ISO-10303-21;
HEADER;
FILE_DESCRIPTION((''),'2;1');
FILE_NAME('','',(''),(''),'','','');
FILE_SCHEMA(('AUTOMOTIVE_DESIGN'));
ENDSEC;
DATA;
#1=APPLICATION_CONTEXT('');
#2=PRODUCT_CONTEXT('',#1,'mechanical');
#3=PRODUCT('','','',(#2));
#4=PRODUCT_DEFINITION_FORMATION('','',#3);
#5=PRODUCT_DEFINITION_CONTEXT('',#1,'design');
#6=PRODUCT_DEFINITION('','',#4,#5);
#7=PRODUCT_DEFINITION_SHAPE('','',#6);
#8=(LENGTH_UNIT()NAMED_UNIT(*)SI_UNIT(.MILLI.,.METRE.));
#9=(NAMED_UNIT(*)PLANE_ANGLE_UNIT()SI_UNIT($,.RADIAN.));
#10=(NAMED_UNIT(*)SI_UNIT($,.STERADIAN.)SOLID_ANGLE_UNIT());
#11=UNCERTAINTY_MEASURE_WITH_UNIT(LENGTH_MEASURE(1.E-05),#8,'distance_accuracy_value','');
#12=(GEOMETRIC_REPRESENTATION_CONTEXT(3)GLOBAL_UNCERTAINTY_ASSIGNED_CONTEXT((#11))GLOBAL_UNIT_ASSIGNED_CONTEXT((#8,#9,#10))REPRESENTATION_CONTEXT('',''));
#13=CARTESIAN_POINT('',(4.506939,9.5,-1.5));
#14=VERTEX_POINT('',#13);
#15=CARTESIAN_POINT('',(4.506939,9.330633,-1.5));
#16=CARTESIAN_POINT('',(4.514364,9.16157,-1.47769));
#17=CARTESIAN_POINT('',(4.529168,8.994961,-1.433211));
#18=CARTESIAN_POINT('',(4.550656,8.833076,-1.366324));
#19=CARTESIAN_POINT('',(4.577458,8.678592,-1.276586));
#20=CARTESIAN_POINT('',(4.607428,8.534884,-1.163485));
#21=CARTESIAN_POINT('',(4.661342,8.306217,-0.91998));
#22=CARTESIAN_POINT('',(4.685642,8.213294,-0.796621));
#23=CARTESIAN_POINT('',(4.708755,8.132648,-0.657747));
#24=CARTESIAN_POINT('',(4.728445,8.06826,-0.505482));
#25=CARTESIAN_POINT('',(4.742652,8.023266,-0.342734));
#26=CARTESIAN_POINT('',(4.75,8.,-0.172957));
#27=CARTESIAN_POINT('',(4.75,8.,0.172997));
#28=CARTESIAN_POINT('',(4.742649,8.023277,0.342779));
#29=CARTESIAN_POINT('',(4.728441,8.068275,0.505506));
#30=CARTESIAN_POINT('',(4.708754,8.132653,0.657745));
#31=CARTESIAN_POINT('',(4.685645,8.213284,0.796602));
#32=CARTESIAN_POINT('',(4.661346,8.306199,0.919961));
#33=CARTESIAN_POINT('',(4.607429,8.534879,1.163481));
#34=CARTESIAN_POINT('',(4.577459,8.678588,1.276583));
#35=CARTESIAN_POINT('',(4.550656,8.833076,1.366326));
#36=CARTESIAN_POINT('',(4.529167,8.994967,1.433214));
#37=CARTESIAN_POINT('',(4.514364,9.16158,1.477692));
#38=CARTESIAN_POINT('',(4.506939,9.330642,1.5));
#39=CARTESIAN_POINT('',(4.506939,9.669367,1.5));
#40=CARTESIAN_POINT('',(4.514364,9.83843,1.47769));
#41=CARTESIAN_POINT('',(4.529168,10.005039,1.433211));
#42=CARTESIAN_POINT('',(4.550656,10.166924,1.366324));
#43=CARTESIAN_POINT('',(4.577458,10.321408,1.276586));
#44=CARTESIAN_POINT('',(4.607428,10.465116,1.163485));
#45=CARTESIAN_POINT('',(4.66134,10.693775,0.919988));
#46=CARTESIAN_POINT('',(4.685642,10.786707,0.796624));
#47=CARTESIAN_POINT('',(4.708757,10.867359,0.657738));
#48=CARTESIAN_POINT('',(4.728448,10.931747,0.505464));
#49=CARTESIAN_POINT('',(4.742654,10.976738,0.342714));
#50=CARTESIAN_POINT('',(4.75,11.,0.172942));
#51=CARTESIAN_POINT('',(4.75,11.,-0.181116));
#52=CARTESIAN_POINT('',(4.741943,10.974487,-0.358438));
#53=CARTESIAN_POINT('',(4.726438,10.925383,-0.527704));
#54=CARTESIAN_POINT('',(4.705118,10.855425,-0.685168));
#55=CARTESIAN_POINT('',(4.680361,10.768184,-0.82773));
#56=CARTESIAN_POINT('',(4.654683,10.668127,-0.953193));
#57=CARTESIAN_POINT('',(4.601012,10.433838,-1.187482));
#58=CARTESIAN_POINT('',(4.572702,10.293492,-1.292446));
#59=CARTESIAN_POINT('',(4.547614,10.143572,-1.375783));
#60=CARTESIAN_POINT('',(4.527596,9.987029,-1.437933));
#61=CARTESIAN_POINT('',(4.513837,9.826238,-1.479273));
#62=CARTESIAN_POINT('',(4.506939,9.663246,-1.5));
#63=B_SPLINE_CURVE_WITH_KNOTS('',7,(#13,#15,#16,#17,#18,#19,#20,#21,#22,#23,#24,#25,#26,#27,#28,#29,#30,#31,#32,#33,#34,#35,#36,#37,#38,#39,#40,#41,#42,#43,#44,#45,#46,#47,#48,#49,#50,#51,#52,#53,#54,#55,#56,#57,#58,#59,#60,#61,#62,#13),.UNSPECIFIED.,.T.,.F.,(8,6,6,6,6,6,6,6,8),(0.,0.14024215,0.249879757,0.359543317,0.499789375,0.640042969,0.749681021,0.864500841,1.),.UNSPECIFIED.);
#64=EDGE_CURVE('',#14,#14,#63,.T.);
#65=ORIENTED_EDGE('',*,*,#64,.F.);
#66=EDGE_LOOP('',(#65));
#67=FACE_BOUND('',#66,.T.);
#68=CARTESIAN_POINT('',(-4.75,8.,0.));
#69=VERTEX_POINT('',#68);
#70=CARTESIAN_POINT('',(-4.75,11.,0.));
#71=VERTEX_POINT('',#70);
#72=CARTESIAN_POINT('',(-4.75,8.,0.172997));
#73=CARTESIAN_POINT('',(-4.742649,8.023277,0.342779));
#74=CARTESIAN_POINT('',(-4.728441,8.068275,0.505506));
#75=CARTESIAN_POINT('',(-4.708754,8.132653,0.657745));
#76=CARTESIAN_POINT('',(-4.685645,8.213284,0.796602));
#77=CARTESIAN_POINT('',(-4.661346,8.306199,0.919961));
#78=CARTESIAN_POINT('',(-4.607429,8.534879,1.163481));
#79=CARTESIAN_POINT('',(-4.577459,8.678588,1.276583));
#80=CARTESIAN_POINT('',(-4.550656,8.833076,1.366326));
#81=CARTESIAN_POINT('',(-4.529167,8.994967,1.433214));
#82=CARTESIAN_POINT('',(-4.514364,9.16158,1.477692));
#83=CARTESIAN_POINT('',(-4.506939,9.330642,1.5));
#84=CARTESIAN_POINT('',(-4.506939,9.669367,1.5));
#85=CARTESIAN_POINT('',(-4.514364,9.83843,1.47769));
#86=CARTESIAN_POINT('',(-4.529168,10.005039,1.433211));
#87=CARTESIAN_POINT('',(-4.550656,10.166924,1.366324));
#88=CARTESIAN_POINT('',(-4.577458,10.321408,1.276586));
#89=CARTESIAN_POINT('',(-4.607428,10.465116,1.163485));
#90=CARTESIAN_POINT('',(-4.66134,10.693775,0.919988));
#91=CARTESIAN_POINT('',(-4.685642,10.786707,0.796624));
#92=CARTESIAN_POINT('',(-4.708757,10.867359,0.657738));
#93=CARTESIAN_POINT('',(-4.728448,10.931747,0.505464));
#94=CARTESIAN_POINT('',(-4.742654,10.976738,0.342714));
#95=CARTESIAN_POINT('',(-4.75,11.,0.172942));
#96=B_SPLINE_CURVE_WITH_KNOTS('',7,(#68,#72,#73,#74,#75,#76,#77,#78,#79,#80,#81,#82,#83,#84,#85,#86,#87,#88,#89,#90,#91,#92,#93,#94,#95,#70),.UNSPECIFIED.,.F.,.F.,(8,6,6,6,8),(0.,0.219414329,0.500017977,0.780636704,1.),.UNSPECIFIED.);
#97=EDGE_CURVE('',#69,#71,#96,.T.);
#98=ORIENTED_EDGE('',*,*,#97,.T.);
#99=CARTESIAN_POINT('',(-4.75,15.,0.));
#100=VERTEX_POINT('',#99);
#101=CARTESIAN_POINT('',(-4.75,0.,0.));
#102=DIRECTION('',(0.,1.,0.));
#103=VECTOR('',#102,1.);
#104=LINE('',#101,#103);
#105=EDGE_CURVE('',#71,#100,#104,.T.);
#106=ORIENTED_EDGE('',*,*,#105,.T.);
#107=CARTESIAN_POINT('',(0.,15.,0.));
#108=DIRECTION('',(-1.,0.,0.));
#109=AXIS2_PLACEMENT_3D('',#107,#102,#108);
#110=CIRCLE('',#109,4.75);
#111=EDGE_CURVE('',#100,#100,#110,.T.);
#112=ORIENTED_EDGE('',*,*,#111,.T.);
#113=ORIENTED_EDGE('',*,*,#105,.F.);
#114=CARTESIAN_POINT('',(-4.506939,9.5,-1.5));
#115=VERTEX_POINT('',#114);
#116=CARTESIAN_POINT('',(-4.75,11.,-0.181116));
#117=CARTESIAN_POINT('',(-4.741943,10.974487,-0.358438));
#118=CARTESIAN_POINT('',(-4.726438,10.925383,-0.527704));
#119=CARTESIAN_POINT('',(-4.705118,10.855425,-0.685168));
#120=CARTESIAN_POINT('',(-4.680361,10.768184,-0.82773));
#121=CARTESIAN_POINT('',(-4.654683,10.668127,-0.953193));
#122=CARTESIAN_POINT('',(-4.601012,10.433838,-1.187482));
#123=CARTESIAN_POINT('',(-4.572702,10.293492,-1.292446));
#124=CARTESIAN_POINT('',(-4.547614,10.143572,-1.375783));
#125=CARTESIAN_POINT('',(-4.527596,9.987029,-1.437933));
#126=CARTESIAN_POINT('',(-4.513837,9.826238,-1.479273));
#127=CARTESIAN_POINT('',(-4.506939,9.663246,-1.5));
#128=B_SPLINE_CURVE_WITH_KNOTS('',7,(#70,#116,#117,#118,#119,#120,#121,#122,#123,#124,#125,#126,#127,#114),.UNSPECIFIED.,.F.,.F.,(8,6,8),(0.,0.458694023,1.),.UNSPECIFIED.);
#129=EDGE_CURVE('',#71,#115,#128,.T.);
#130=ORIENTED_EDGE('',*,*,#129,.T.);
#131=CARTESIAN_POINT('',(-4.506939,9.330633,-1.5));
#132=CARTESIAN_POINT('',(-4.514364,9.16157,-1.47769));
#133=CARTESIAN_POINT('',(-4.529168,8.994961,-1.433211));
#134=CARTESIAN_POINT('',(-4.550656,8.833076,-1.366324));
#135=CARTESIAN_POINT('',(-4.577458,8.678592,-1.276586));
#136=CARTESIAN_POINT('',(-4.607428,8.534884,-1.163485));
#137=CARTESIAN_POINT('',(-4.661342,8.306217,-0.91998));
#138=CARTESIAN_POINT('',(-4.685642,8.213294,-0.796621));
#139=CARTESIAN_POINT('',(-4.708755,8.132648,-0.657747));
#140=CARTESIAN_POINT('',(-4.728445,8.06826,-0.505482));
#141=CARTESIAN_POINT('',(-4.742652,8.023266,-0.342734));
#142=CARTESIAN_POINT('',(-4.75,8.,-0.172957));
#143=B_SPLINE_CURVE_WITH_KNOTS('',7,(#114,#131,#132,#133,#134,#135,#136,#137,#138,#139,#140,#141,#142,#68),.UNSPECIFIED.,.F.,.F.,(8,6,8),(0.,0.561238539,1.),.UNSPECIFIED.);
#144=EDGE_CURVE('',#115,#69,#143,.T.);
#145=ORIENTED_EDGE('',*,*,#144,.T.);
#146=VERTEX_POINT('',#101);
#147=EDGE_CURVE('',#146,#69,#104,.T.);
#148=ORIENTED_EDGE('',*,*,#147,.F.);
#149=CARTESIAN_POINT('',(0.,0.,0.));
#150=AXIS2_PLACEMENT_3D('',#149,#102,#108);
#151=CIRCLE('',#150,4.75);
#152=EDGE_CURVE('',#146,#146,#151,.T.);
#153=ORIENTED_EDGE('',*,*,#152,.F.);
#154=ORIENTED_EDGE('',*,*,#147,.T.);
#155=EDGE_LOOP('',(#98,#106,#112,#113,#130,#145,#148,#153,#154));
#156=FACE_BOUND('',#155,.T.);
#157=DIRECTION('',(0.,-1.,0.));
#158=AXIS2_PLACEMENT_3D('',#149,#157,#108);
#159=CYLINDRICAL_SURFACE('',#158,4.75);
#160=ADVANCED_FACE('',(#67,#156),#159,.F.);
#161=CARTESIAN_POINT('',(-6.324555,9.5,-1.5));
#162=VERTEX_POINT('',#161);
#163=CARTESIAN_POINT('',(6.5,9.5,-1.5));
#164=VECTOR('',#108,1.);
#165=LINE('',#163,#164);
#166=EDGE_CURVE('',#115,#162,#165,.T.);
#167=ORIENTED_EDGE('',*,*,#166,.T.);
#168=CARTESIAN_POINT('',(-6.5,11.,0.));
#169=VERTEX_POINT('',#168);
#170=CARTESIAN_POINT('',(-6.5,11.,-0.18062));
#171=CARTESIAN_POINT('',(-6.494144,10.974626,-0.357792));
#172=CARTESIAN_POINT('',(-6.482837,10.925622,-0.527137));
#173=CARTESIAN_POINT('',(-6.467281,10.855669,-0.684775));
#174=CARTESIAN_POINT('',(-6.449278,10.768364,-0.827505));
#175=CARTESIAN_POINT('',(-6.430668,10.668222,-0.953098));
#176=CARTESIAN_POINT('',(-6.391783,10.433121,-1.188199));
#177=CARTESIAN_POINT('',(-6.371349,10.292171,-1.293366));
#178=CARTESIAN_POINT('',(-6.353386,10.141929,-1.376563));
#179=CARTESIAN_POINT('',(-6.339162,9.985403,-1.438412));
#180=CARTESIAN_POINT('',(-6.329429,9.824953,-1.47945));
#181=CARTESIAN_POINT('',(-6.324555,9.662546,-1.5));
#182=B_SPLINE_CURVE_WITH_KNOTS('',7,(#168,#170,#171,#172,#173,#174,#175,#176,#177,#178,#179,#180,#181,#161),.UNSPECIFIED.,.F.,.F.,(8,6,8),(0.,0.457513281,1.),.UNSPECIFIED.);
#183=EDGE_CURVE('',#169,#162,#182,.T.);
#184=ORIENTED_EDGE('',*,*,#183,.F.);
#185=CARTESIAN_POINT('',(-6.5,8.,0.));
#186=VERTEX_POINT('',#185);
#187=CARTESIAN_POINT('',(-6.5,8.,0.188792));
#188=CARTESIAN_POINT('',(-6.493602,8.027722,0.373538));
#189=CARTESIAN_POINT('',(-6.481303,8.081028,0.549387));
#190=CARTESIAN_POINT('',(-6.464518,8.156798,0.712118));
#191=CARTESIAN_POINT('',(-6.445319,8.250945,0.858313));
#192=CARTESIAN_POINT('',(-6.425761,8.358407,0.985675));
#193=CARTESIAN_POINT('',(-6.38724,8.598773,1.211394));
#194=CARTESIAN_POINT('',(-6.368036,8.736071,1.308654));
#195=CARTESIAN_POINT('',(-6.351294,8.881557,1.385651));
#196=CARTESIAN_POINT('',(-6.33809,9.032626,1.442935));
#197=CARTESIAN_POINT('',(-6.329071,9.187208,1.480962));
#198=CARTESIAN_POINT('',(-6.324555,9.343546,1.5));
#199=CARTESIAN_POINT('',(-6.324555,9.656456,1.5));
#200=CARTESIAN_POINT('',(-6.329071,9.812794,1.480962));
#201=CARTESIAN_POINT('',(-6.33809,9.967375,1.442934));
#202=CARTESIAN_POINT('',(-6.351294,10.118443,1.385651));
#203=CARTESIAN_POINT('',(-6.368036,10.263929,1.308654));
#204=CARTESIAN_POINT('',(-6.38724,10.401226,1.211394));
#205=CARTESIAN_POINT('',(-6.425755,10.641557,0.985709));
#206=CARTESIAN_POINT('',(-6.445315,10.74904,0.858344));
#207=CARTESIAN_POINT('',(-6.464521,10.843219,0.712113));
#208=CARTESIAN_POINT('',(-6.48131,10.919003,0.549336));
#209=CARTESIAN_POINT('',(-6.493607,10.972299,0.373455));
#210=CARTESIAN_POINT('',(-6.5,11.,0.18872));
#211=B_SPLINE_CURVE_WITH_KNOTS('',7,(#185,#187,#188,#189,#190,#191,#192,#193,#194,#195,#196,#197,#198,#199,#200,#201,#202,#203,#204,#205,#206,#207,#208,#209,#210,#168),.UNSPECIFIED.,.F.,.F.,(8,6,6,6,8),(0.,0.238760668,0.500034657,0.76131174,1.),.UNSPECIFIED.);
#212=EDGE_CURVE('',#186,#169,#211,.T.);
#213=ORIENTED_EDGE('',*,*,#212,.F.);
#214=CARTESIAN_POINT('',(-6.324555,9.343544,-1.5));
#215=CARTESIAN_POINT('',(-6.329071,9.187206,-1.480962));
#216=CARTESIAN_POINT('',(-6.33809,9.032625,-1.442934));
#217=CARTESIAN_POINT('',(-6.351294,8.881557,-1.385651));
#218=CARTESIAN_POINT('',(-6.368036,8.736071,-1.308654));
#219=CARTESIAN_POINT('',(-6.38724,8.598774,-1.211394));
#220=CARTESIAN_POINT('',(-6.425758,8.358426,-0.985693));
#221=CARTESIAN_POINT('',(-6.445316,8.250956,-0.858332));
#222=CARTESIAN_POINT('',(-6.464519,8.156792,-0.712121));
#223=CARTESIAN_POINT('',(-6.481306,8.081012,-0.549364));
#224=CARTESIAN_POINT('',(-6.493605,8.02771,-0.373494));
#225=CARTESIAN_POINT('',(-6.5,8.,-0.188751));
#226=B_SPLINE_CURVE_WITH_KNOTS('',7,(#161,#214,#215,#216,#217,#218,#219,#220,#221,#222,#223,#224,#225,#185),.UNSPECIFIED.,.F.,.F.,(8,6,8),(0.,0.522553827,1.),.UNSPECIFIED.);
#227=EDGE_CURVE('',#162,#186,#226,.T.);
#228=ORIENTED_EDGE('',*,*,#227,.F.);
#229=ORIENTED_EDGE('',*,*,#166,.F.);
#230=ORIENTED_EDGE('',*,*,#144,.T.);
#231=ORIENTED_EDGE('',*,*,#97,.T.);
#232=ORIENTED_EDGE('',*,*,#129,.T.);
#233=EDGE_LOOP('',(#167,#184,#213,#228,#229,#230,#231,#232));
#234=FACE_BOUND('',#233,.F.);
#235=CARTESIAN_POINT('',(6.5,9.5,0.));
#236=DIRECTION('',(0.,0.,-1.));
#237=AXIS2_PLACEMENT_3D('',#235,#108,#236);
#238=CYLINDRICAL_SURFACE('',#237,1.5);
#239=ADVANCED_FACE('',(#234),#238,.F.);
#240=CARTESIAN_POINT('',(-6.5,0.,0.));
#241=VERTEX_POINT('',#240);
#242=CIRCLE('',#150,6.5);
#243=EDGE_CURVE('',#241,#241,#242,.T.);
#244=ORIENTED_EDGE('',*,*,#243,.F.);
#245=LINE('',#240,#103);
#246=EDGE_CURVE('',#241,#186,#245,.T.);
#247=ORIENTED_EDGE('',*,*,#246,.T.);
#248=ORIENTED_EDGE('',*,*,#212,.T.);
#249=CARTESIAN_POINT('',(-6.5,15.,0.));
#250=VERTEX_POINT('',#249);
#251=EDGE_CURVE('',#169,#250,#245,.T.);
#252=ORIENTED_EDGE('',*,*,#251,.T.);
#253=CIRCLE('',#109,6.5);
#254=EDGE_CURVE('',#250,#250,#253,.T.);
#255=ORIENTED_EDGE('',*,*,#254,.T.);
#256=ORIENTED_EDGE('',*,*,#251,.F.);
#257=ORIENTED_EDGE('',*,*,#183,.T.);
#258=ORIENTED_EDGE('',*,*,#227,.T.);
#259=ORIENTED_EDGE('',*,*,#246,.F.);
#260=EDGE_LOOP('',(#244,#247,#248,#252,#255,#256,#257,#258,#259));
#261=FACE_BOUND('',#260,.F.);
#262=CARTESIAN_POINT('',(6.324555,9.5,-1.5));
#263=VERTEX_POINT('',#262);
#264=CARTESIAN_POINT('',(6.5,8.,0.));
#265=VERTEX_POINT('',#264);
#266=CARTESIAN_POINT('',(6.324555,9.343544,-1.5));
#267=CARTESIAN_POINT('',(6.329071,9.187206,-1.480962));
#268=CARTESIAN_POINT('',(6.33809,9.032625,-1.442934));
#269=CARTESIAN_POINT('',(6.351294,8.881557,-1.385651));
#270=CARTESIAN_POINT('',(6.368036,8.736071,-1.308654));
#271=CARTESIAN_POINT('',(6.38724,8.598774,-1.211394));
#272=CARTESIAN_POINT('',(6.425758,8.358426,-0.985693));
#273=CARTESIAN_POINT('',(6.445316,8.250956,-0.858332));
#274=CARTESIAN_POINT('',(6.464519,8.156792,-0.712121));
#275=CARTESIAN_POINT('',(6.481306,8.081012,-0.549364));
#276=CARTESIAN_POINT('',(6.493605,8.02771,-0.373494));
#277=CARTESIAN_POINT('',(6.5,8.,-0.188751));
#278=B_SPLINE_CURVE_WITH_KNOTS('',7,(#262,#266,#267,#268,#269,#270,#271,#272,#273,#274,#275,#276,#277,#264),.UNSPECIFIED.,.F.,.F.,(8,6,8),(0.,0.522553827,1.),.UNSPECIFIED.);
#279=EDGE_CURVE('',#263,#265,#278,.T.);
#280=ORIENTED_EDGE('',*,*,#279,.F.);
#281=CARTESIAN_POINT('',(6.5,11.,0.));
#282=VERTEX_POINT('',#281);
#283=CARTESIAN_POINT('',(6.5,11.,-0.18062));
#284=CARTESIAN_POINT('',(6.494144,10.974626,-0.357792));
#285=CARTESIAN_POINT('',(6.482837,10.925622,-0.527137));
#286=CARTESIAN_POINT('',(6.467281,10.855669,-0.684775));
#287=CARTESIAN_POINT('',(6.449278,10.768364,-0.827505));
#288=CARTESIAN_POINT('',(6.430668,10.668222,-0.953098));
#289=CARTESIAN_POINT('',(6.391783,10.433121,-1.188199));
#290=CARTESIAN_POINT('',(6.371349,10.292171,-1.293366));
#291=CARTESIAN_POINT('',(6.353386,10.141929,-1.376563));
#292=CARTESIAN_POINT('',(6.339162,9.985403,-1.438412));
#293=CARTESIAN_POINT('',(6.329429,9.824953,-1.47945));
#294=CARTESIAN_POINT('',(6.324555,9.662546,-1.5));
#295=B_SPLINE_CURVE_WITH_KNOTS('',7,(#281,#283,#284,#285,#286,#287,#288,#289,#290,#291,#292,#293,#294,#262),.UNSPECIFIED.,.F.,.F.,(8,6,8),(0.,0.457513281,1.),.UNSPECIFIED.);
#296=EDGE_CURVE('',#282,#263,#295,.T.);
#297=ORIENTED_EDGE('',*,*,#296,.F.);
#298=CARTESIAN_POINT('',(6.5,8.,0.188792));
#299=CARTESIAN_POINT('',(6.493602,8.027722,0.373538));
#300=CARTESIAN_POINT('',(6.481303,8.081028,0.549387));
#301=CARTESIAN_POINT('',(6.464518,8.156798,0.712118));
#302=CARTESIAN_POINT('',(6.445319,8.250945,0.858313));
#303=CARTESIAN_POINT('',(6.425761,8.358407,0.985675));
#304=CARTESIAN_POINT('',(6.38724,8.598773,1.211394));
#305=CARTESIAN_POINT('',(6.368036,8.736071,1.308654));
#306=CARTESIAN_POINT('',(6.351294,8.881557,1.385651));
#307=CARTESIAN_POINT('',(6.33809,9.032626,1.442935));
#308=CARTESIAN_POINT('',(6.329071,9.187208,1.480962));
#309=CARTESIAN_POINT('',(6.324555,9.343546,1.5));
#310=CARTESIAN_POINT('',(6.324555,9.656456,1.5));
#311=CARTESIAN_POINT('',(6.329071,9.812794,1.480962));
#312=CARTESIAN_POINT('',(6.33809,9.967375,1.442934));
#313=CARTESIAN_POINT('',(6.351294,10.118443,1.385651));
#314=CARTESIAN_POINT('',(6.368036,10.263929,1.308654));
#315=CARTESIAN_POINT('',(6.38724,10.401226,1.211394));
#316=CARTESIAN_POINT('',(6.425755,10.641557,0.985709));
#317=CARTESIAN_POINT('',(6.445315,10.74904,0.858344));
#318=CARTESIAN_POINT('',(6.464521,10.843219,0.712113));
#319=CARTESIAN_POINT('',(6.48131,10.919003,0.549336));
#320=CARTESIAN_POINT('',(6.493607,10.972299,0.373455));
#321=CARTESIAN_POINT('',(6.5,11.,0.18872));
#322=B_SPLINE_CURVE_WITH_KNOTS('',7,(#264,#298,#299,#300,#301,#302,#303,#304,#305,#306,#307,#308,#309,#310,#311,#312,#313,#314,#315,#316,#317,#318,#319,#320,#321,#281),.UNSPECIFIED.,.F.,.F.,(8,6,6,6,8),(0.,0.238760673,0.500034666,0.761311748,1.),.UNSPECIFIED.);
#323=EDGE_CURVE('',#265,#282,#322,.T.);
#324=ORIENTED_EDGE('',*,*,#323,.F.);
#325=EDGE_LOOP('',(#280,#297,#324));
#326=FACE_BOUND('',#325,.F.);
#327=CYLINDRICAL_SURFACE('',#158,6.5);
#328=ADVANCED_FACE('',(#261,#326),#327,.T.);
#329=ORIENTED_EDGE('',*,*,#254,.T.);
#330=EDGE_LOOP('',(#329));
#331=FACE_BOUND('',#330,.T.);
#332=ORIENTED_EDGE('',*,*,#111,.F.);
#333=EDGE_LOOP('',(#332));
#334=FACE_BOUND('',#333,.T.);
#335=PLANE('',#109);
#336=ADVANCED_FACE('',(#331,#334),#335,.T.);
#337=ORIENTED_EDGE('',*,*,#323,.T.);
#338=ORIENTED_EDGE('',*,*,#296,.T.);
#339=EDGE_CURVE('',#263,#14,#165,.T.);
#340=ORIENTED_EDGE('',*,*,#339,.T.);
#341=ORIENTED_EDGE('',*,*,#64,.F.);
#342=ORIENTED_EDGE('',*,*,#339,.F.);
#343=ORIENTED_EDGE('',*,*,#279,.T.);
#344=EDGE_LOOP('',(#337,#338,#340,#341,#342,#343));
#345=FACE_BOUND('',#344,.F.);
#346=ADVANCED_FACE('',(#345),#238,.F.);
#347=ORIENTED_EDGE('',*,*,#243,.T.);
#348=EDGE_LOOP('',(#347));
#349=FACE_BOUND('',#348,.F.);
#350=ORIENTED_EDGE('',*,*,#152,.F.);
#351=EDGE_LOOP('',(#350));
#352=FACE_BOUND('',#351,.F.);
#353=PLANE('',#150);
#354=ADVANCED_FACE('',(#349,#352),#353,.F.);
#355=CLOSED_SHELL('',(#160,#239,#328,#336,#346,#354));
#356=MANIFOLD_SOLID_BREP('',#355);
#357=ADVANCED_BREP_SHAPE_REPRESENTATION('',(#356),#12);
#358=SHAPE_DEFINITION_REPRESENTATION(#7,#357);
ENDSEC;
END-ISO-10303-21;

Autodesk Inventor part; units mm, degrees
ref_plane "XZ Plane" through (0, 0, 0) normal (0, 1, 0) x (-1, 0, 0)
ref_plane "XY Plane" through (0, 0, 0) normal (0, 0, 1) x (1, 0, 0)
sketch "Skizze1" plane through (0, 0, 0) normal (0, 1, 0) x (-1, 0, 0)
  circle A0 centre (0, 0) radius 6.5
  circle A1 centre (0, 0) radius 4.75
  dimension "d0" = 13
  dimension "d1" = 9.5
extrude "Extrusion1" add sketch "Skizze1" along normal blind 15
ref_plane "Arbeitsebene1" through (6.5, 0, 0) normal (1, 0, 0) x (0, 1, 0)
sketch "Skizze2" plane through (6.5, 0, 0) normal (1, 0, 0) x (0, 1, 0)
  line L0 (0, -6.5) -> (0, 6.5) projected
  point P0 (0, 0)
  point P1 (9.5, 0)
  dimension "d5" = 9.5
hole "Bohrung1" at (6.5, 9.5, 0) direction (-1, 0, 0) diameter 3 end through all
properties part number "2032" material "Blei"
